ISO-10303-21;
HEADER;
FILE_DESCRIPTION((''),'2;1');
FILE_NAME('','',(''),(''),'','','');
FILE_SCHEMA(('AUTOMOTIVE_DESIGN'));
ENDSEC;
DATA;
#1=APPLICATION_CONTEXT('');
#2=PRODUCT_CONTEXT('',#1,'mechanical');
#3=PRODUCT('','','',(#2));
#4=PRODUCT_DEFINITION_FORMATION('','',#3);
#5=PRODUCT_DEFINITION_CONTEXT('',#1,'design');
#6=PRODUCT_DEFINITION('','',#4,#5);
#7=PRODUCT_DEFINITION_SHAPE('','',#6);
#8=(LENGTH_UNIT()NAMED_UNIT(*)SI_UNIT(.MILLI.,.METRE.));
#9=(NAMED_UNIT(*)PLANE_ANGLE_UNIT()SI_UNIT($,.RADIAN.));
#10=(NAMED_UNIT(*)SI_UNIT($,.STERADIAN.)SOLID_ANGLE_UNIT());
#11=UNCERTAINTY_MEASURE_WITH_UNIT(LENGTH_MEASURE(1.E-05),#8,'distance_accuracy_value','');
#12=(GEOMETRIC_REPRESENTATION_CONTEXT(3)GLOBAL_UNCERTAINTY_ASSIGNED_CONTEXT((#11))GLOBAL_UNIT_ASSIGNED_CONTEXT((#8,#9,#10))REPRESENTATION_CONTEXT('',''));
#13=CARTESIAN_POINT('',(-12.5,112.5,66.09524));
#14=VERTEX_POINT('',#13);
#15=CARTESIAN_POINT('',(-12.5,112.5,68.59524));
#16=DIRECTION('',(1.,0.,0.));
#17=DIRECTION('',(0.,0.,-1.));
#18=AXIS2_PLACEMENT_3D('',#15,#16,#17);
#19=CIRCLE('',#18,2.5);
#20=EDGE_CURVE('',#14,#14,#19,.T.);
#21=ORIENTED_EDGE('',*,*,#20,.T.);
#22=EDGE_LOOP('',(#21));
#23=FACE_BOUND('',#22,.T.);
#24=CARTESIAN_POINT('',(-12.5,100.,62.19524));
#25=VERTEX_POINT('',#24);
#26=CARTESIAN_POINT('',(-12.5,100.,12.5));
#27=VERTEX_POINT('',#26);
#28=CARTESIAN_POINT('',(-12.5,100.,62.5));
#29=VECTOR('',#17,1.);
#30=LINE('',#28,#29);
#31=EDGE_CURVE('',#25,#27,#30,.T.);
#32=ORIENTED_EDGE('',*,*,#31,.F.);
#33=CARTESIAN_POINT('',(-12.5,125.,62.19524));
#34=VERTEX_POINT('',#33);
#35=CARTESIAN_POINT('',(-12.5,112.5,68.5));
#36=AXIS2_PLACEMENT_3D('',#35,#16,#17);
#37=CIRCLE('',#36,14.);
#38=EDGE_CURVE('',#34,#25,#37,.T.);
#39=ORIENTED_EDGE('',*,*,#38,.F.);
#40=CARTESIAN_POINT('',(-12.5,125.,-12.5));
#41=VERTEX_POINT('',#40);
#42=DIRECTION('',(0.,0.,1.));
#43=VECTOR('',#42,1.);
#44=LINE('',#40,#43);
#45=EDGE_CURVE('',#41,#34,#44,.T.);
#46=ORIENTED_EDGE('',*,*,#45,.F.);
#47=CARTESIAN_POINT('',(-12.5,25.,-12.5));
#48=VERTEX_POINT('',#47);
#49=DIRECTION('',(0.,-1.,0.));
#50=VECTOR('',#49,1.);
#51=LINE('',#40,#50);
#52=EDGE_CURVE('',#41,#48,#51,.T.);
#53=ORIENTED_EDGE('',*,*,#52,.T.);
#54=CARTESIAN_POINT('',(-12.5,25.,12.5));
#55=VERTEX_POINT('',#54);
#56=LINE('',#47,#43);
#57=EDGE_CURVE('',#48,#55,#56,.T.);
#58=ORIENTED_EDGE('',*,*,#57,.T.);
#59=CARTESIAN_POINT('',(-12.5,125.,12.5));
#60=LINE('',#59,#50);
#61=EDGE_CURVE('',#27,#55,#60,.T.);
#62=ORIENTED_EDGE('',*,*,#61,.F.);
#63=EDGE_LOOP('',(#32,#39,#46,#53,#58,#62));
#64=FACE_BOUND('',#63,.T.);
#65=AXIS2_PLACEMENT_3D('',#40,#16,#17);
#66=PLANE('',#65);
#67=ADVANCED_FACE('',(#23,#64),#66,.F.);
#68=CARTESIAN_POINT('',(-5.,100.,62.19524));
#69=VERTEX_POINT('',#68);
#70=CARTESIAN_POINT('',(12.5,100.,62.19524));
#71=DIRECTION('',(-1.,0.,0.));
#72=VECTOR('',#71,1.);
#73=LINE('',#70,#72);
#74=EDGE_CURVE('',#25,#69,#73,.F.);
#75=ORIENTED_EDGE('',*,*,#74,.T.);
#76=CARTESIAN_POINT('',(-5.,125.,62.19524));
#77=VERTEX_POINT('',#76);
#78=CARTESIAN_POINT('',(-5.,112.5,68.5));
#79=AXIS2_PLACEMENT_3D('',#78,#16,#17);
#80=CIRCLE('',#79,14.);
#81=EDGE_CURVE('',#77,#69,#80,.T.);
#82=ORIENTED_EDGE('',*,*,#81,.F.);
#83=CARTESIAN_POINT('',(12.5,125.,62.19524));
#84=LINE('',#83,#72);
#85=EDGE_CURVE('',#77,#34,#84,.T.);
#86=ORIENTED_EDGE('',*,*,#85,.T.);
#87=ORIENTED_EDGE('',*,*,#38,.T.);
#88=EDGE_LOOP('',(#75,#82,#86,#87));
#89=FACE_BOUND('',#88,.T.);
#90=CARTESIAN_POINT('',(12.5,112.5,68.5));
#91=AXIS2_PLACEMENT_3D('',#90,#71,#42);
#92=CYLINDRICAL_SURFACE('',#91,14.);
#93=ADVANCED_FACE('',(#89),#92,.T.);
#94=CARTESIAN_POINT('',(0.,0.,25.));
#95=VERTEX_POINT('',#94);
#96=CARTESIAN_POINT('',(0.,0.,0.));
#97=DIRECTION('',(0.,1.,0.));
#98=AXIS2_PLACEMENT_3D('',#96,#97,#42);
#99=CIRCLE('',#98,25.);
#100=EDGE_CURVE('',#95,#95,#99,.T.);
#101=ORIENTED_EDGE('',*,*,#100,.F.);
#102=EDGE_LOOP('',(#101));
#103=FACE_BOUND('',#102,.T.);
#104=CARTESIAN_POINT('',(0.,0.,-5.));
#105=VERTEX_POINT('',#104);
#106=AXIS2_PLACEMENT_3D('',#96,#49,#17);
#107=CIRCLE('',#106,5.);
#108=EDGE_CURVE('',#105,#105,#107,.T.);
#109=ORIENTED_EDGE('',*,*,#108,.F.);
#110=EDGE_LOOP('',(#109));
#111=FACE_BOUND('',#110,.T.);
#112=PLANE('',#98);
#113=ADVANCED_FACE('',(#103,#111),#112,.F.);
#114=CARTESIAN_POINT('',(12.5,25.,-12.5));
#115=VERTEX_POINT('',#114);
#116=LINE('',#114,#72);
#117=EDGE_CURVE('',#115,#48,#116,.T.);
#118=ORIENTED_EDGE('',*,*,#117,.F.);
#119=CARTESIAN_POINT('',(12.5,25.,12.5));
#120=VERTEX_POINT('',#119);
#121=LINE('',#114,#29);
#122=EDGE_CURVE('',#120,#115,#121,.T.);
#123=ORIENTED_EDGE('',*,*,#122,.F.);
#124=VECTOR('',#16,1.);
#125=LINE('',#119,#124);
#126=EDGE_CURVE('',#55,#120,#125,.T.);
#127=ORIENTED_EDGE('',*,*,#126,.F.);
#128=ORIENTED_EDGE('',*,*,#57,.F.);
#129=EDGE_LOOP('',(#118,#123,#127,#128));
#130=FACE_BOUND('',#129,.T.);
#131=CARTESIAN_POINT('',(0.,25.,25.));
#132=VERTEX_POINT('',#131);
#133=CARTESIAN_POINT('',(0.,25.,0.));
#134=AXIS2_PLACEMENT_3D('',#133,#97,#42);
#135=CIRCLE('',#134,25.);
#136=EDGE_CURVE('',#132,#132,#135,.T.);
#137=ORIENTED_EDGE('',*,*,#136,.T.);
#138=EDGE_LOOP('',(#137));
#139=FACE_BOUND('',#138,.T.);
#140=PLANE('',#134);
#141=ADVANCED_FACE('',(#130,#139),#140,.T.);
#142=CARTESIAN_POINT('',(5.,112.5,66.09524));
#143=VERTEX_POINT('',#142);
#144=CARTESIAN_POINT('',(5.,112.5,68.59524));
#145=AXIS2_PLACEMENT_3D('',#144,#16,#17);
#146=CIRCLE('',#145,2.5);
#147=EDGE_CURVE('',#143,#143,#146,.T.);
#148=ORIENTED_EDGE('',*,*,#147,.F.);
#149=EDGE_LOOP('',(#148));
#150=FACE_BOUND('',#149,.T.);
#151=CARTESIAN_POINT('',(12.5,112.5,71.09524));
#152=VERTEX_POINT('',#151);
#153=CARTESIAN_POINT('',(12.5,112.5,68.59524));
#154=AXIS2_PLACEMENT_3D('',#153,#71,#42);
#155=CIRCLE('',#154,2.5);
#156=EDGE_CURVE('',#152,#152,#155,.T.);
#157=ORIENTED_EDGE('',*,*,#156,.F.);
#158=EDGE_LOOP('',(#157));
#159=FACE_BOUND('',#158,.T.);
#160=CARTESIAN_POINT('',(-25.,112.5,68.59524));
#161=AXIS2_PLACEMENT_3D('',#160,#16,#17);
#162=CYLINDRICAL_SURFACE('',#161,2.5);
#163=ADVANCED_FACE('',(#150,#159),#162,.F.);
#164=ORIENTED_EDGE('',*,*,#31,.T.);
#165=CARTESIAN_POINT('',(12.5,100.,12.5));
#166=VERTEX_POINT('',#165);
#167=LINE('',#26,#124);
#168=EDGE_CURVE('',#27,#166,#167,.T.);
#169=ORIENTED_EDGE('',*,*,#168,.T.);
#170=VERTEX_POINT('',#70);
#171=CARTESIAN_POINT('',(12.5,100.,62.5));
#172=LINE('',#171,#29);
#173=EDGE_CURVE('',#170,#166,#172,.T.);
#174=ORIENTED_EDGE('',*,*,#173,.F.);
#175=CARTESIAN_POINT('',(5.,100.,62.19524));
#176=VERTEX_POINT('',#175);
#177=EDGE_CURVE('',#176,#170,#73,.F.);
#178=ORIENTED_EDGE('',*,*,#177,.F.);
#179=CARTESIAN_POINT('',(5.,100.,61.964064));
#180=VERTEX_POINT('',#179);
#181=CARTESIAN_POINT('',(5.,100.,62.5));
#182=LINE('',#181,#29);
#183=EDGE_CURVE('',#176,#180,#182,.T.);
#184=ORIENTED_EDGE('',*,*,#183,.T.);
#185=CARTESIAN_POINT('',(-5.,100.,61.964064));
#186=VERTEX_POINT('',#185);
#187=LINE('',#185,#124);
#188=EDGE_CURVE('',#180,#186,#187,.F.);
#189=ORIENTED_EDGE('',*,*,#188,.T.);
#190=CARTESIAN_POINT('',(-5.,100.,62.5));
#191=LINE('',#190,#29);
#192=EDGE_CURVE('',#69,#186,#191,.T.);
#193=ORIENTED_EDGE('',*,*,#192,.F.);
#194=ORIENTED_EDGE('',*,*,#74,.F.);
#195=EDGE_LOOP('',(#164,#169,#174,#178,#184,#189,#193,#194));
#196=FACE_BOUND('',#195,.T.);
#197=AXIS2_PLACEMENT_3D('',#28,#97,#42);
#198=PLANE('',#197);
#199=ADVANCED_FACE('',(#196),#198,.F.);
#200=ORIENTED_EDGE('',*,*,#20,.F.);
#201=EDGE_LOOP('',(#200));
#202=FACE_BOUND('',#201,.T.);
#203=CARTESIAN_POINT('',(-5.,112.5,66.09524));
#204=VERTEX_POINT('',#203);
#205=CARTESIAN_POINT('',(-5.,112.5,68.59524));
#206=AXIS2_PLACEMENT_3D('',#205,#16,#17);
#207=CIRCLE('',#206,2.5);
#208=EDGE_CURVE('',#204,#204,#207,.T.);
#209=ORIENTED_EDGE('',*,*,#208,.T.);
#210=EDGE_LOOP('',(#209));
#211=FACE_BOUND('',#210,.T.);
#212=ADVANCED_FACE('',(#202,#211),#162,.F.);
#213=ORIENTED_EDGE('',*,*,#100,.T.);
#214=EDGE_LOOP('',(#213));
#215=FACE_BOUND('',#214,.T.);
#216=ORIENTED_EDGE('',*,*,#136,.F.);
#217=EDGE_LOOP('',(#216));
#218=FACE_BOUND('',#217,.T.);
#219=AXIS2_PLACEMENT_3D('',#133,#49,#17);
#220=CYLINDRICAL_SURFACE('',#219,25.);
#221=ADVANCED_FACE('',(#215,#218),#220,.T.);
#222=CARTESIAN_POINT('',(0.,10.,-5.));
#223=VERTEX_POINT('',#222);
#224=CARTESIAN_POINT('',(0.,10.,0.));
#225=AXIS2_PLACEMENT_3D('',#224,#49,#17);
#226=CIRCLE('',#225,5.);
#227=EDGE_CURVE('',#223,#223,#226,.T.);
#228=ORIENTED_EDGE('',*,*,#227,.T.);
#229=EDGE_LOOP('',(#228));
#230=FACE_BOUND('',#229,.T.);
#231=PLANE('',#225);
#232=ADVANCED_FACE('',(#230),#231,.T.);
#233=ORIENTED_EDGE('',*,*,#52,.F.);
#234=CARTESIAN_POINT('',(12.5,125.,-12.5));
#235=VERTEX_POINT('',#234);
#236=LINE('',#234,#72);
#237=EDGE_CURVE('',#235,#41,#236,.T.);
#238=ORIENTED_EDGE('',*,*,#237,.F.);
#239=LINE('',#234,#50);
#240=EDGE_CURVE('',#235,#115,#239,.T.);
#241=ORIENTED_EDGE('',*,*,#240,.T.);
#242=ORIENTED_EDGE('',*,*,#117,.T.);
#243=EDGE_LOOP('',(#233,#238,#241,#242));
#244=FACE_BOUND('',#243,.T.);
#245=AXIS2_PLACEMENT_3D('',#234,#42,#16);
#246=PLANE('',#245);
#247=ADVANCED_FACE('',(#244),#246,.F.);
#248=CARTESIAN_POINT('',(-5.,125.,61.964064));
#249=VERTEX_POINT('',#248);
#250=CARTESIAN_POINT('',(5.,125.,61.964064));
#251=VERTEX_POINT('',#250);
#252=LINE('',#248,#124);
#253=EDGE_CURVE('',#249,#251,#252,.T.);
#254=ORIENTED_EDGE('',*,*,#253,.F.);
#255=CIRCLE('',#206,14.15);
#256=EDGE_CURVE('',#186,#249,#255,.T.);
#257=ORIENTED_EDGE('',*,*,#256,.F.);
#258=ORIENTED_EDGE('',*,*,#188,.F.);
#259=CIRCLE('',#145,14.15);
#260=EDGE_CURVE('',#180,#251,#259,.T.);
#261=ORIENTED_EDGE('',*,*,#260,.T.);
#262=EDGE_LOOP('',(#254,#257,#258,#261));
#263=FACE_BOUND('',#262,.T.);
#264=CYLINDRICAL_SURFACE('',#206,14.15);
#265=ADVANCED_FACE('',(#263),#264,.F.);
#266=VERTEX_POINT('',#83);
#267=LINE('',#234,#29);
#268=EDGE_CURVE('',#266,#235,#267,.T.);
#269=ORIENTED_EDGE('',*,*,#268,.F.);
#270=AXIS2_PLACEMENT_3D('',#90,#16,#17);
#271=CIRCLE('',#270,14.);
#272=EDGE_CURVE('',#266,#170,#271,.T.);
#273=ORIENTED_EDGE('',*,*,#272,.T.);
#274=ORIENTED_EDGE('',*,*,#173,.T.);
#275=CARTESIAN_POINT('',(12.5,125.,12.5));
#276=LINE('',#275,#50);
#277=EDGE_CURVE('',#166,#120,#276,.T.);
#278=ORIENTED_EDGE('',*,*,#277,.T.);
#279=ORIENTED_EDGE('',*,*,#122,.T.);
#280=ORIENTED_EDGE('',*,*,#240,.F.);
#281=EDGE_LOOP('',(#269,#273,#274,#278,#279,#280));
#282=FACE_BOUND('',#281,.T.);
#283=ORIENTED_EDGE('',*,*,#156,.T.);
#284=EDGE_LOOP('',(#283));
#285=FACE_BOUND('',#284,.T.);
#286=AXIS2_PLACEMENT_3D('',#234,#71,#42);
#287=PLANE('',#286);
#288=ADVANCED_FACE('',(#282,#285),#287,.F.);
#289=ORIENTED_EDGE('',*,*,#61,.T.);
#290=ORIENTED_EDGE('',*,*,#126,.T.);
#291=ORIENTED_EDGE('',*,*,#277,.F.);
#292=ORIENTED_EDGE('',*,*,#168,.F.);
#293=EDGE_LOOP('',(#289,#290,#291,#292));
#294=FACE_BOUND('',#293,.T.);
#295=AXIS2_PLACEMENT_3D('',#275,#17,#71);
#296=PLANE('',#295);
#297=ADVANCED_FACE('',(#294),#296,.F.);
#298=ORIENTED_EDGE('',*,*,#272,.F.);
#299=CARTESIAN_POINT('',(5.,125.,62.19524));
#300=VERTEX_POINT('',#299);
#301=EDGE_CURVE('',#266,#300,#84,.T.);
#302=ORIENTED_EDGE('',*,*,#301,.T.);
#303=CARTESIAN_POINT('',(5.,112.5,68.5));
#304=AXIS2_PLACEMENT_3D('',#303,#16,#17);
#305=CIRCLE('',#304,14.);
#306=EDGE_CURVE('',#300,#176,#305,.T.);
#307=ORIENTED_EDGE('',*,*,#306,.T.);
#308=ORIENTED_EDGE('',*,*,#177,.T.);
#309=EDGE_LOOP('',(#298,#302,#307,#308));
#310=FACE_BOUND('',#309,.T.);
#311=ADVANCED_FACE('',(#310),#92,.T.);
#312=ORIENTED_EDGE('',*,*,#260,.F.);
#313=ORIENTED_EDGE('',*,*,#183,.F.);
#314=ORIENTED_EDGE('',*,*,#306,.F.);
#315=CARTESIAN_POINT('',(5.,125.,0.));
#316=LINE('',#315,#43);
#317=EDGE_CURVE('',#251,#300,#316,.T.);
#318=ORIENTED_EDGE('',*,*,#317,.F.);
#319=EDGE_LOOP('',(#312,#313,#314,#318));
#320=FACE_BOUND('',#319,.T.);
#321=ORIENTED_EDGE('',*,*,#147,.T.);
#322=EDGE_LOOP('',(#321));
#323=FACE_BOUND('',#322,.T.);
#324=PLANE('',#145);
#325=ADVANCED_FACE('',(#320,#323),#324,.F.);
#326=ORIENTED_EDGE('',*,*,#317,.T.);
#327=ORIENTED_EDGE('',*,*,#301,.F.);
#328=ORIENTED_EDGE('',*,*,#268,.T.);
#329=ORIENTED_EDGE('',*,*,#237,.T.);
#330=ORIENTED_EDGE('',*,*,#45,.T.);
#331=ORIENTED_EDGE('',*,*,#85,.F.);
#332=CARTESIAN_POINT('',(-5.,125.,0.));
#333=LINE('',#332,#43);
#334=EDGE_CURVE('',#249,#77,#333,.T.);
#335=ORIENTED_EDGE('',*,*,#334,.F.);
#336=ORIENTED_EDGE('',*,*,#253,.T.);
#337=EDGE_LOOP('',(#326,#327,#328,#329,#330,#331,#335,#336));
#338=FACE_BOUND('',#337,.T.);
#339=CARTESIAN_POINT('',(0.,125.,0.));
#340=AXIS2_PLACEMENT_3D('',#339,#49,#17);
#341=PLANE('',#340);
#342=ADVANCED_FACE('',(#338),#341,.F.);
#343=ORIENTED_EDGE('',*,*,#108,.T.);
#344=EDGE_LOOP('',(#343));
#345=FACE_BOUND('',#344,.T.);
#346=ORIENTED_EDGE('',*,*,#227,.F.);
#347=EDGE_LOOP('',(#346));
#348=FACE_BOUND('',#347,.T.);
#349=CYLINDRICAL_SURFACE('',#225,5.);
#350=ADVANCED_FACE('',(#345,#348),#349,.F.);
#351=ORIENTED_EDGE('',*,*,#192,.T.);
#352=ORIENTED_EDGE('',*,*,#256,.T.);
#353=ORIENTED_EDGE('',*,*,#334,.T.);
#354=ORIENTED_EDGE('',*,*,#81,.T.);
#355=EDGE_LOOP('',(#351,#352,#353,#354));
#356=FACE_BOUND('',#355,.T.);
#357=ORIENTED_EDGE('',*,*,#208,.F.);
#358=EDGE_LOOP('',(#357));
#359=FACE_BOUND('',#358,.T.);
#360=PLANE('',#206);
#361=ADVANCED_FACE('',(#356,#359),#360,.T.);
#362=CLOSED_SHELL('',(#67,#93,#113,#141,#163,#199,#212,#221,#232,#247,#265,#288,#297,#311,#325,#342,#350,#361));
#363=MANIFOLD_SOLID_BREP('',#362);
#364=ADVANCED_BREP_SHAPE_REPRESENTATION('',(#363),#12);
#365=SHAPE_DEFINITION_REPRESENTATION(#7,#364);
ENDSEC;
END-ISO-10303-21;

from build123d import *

# Parameters (mm, degrees)
SKETCH1_R               = 25
BOSS_EXTRUDE1_DEPTH     = 25
SKETCH2_W               = 25
SKETCH2_H               = 25
BOSS_EXTRUDE2_DEPTH     = 100
SKETCH7_R               = 5
CUT_EXTRUDE2_DEPTH      = 10
SKETCH8_W               = 25
SKETCH8_H               = 25
BOSS_EXTRUDE3_DEPTH     = 50
SKETCH10_R              = 14
BOSS_EXTRUDE4_DEPTH     = 12.5
SKETCH13_R              = 14.15
CUT_EXTRUDE4_DEPTH      = 5
CUT_EXTRUDE5_DEPTH      = 154.080044421
CUT_EXTRUDE5_DEPTH_BACK = 154.080044421
SKETCH14_R              = 2.5


with BuildPart() as part:
    # Sketch1 → Boss-Extrude1 (new body)
    with BuildSketch(Plane(origin=(0, 0, 0), x_dir=(1, 0, 0), z_dir=(0, 1, 0))):
        Circle(SKETCH1_R)
    extrude(amount=BOSS_EXTRUDE1_DEPTH)

    # Sketch2 → Boss-Extrude2 (add)
    with BuildSketch(Plane(origin=(0, 25, 0), x_dir=(1, 0, 0), z_dir=(0, 1, 0))):
        Rectangle(SKETCH2_W, SKETCH2_H)
    extrude(amount=BOSS_EXTRUDE2_DEPTH)

    # Sketch7 → Cut-Extrude2 (cut)
    with BuildSketch(Plane.XZ):
        Circle(SKETCH7_R)
    extrude(amount=-CUT_EXTRUDE2_DEPTH, mode=Mode.SUBTRACT)

    # Sketch8 → Boss-Extrude3 (add)
    with BuildSketch(Plane.XY.offset(12.5)):
        with Locations((0, 112.5)):
            Rectangle(SKETCH8_W, SKETCH8_H)
    extrude(amount=BOSS_EXTRUDE3_DEPTH)

    # Sketch10 → Boss-Extrude4 (add, symmetric)
    with BuildSketch(Plane(origin=(0, 0, 0), x_dir=(0, 0, -1), z_dir=(1, 0, 0))):
        with Locations((-68.5, 112.5)):
            Circle(SKETCH10_R)
    extrude(amount=BOSS_EXTRUDE4_DEPTH, both=True)

    # Sketch13 → Cut-Extrude4 (cut, symmetric)
    with BuildSketch(Plane(origin=(0, 0, 0), x_dir=(0, 0, -1), z_dir=(1, 0, 0))):
        with Locations((-68.595239894, 112.5)):
            Circle(SKETCH13_R)
    extrude(amount=CUT_EXTRUDE4_DEPTH, both=True, mode=Mode.SUBTRACT)

    # Sketch14 → Cut-Extrude5 (cut, two sides: drawn at the far end of the back side and taken through both)
    with BuildSketch(Plane(origin=(0, 0, 0), x_dir=(0, 0, -1), z_dir=(1, 0, 0)).offset(-CUT_EXTRUDE5_DEPTH_BACK)):
        with Locations((-68.595239894, 112.5)):
            Circle(SKETCH14_R)
    extrude(amount=CUT_EXTRUDE5_DEPTH + CUT_EXTRUDE5_DEPTH_BACK, mode=Mode.SUBTRACT)


solid = part.part
